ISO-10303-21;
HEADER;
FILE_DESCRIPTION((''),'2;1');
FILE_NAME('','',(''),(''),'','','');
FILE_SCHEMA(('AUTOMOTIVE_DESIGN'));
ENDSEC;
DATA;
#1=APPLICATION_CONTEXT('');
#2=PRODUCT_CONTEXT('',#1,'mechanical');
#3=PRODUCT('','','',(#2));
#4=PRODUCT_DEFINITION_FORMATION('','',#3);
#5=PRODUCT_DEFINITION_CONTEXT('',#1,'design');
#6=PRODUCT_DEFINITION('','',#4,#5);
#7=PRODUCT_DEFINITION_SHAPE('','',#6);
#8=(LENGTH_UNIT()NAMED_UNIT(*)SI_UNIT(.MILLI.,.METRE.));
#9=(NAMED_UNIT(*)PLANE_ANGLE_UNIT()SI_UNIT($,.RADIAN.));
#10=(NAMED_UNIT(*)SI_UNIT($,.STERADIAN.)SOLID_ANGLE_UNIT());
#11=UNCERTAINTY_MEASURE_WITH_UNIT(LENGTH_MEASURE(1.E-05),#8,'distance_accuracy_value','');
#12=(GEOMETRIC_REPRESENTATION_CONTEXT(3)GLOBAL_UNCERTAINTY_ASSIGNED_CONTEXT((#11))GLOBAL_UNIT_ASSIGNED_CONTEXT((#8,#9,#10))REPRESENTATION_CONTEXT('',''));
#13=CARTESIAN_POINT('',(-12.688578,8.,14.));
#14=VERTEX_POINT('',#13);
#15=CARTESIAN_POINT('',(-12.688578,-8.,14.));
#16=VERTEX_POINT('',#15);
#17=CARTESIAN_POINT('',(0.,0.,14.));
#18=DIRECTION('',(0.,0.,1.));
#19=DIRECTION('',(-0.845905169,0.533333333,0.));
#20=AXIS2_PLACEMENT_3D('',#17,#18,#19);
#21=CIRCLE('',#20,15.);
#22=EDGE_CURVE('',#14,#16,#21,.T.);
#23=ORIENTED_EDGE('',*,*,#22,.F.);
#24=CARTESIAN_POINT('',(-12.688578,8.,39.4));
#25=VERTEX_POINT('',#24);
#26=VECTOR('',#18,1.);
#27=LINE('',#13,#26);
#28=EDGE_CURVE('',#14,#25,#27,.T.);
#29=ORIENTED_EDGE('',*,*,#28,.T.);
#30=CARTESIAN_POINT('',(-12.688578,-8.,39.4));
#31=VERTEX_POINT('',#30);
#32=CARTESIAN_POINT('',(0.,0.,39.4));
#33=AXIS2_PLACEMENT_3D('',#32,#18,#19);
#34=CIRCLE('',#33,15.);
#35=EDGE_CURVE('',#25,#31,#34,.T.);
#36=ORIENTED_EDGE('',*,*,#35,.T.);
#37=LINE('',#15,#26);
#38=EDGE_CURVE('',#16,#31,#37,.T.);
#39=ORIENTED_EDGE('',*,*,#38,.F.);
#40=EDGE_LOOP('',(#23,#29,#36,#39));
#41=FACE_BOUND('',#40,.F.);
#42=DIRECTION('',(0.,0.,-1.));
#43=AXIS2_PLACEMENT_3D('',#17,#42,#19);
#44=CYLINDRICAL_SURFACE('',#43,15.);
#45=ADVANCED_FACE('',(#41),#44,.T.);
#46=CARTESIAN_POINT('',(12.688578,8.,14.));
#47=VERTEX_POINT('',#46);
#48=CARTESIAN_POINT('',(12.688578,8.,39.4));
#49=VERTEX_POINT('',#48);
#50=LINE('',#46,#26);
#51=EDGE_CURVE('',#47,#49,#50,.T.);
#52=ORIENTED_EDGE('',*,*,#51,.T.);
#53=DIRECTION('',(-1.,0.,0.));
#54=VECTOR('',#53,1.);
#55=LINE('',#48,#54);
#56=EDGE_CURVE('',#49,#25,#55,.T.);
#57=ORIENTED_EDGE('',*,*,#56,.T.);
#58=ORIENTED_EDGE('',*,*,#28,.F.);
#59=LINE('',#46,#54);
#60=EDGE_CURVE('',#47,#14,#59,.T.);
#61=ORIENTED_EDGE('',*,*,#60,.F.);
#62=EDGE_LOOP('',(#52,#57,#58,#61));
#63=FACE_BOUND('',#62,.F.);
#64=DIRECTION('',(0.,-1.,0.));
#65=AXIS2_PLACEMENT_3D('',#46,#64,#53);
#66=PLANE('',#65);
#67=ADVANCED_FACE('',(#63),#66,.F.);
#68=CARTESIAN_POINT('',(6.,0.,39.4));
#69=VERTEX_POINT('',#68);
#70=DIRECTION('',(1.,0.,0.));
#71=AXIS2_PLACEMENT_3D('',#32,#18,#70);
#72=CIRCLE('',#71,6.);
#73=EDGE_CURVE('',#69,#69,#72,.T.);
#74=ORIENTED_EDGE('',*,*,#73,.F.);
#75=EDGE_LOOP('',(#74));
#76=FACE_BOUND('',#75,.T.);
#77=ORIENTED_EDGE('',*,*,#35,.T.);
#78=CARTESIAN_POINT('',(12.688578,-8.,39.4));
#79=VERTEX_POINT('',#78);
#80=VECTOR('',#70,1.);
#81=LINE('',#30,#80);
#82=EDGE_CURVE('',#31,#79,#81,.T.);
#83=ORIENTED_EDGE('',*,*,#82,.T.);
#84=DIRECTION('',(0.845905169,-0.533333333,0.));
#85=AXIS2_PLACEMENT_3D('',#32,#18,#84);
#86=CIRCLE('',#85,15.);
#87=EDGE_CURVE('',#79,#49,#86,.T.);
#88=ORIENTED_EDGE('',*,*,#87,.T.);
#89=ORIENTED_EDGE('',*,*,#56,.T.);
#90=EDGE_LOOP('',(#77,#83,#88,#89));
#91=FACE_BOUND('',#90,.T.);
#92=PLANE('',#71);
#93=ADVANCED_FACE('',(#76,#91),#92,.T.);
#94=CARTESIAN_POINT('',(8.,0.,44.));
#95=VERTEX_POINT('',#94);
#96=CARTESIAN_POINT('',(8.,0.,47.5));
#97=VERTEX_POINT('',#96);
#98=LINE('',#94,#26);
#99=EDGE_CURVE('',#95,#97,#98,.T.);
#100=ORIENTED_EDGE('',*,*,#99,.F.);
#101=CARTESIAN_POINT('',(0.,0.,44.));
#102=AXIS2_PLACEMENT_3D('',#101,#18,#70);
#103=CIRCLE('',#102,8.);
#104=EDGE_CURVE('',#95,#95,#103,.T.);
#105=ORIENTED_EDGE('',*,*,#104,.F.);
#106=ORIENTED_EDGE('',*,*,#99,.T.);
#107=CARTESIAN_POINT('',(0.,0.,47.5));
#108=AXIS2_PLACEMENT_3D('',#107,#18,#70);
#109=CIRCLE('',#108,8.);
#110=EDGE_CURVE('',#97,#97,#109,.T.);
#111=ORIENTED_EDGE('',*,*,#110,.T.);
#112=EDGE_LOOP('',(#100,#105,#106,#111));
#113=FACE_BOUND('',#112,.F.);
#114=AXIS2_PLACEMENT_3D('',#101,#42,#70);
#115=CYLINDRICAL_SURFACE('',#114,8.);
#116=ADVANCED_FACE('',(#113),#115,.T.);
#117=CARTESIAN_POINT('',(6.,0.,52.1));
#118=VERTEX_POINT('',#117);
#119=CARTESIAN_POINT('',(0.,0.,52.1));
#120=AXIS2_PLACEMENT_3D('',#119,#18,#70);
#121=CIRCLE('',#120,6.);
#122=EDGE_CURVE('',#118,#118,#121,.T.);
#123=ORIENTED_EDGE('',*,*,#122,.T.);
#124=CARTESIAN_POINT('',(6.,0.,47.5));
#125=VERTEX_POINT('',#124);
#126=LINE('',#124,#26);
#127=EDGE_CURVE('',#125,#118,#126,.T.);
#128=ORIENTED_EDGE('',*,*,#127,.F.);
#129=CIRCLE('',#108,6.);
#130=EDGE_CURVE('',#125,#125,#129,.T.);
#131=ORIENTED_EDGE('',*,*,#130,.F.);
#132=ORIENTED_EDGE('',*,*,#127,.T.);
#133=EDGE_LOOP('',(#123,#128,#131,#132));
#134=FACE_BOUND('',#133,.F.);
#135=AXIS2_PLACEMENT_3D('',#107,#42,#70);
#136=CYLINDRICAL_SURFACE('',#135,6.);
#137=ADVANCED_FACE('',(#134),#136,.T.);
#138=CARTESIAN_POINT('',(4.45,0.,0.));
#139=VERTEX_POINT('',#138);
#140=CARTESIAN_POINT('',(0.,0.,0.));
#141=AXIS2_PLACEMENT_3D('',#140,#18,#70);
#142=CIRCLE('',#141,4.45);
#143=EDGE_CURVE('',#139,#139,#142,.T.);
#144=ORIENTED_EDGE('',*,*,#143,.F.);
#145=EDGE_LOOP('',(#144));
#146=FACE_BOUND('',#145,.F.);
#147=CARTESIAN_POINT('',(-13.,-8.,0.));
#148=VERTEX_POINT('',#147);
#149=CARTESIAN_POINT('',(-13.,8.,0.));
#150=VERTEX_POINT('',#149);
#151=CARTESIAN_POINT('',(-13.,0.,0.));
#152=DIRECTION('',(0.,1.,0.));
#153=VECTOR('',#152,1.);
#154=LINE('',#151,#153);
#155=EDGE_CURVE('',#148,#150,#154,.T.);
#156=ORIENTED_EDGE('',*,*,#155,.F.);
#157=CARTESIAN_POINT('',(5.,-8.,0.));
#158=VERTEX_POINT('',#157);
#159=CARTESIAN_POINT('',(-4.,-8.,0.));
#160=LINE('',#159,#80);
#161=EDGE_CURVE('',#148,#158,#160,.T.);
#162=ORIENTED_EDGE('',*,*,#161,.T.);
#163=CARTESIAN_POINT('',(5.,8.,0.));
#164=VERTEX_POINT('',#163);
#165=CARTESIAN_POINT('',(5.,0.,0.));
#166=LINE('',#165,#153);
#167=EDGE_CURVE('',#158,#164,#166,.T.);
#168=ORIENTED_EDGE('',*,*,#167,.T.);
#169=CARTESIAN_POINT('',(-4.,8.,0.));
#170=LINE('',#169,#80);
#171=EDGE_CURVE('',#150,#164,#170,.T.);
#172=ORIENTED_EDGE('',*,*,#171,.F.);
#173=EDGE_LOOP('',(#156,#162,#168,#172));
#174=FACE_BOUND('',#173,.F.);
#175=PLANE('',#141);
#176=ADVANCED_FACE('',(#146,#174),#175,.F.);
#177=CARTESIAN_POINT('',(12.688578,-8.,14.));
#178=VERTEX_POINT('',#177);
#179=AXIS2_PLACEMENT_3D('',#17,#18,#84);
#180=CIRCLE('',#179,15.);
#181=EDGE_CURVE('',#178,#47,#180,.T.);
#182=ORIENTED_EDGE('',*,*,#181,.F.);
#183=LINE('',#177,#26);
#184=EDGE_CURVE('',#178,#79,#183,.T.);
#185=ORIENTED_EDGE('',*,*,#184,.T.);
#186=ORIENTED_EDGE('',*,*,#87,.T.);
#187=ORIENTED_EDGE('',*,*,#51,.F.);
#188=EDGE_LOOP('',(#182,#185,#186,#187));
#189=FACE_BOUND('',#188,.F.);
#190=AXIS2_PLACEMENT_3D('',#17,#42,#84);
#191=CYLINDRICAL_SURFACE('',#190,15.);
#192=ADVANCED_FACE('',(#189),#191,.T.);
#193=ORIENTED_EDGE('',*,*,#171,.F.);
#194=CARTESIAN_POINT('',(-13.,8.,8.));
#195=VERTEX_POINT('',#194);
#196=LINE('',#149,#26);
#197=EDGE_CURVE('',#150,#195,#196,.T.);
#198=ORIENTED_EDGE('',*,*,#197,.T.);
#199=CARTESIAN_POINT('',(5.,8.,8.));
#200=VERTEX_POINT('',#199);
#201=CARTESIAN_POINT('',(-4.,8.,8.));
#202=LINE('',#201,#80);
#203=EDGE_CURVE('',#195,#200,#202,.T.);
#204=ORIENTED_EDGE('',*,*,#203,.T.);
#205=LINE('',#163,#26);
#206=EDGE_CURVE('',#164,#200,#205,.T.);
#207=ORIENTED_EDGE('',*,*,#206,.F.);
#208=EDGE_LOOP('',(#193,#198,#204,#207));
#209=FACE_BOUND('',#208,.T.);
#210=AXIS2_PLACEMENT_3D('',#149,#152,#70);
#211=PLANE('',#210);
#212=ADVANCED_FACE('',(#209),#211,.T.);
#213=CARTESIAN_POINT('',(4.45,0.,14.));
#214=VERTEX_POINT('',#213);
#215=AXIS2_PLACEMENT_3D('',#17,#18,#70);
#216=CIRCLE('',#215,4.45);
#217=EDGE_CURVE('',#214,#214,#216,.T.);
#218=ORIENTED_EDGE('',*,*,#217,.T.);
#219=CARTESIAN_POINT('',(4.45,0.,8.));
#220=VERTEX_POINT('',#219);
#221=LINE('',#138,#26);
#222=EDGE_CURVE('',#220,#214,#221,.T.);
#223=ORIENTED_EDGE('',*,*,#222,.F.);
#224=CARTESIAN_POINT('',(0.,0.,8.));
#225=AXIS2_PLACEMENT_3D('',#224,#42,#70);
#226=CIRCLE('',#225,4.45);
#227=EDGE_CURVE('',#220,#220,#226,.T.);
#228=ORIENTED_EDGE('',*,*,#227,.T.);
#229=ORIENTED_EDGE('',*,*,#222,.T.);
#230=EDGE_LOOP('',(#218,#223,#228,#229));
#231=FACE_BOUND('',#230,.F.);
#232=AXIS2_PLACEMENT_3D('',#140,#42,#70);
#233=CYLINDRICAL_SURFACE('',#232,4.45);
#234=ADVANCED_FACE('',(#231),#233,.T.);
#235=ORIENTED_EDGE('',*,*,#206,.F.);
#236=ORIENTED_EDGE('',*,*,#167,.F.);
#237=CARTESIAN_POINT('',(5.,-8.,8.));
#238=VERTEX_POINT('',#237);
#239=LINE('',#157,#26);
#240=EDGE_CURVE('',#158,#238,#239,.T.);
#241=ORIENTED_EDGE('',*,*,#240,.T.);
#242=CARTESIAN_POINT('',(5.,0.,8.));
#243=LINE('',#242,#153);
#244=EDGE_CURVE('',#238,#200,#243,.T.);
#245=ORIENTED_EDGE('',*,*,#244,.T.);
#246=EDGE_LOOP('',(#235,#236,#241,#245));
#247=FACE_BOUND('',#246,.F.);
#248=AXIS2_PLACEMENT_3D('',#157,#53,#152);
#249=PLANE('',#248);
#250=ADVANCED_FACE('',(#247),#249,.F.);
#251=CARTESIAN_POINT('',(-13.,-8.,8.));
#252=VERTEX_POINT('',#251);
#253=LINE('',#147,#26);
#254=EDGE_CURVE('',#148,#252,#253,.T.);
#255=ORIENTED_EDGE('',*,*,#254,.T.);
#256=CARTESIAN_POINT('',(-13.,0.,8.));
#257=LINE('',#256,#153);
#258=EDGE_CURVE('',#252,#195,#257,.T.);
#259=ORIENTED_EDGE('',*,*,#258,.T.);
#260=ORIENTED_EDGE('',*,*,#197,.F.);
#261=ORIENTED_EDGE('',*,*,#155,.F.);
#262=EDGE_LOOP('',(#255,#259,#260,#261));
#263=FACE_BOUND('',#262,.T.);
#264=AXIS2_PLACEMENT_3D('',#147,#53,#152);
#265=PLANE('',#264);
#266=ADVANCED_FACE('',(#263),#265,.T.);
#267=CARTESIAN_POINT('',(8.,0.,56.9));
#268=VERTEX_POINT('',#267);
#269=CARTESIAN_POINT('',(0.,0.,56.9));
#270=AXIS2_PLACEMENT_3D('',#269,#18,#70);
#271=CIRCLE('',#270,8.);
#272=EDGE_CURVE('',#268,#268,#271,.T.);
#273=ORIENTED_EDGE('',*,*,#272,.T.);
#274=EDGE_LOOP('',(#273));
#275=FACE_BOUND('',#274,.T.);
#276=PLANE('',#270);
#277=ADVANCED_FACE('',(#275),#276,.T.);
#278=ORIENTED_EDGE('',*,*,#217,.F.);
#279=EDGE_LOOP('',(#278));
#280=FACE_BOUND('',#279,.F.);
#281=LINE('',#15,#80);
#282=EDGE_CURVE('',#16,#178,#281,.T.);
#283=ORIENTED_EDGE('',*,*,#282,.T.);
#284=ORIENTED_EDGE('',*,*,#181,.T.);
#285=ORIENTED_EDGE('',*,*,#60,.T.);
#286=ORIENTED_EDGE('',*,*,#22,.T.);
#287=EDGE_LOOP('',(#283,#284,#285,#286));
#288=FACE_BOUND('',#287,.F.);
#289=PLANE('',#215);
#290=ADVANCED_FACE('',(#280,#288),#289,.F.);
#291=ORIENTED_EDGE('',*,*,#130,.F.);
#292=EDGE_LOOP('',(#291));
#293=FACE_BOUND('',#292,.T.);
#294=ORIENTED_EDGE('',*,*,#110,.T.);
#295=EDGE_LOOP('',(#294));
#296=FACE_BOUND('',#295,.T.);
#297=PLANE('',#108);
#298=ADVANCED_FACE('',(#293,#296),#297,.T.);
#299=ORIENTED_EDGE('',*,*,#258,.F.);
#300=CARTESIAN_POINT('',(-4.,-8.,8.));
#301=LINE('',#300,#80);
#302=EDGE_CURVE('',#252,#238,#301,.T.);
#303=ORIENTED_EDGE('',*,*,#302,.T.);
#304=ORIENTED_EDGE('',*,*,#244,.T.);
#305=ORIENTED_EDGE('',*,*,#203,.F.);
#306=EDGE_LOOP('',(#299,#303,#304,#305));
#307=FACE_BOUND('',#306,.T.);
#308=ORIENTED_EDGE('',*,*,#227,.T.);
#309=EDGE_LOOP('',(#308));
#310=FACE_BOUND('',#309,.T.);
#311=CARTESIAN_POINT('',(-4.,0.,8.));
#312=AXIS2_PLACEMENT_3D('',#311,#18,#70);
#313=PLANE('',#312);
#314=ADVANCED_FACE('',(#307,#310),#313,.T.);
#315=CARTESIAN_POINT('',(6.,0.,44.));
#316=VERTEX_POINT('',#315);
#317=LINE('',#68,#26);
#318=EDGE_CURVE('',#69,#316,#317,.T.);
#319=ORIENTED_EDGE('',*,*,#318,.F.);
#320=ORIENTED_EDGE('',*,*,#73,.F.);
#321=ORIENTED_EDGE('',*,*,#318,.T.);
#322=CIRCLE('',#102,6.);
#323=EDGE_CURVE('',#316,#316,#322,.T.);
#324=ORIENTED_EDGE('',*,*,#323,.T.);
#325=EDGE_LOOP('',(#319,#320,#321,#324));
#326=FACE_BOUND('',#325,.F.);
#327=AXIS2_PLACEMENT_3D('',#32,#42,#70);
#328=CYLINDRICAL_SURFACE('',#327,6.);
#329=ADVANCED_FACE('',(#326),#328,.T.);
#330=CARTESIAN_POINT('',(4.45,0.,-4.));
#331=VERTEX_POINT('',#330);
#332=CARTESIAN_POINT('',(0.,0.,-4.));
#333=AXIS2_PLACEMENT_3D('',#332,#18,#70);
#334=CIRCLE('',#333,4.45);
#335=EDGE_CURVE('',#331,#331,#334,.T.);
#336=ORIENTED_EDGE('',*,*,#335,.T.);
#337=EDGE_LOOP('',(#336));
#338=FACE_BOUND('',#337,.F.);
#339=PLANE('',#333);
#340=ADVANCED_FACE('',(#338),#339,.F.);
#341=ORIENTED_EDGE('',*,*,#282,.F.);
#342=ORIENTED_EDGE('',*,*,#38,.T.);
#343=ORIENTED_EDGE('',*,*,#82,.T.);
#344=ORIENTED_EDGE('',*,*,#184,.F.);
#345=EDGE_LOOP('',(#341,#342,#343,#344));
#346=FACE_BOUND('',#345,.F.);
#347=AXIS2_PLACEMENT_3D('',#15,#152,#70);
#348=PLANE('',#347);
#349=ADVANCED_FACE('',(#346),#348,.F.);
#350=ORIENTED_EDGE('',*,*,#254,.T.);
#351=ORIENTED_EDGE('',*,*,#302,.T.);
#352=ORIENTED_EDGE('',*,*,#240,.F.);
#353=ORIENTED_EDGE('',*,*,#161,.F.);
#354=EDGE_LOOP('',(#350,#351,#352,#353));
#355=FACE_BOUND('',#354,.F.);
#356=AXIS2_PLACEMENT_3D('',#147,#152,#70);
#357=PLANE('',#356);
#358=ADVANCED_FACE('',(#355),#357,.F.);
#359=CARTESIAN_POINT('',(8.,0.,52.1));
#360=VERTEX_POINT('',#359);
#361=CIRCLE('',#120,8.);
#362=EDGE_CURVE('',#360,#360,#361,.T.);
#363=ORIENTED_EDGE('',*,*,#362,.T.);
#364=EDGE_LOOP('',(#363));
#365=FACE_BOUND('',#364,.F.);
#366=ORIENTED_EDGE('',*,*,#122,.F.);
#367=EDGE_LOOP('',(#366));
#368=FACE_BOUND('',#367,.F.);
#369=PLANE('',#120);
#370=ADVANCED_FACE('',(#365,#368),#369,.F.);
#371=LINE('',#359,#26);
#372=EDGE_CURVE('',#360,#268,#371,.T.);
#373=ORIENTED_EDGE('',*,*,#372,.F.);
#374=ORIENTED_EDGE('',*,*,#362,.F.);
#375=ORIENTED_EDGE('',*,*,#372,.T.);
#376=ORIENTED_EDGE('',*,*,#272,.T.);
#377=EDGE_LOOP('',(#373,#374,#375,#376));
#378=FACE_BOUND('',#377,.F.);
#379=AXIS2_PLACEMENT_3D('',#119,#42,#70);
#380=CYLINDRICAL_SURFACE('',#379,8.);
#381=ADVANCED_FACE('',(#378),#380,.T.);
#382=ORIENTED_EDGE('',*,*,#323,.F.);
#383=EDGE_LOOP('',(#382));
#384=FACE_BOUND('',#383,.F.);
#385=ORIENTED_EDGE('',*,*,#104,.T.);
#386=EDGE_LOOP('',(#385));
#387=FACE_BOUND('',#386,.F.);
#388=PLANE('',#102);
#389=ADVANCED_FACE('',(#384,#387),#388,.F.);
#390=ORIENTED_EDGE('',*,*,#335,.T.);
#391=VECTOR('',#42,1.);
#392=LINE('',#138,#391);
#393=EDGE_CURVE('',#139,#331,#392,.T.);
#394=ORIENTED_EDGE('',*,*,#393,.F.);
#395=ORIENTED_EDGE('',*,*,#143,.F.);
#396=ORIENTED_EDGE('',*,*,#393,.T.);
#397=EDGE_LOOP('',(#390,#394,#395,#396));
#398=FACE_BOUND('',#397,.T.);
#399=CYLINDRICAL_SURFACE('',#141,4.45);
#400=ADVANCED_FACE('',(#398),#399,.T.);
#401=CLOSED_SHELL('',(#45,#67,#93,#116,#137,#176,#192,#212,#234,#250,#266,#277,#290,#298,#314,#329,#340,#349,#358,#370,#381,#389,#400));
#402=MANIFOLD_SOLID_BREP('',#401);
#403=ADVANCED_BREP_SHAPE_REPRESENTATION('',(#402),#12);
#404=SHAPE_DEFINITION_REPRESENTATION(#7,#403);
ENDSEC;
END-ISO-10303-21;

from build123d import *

# Parameters (mm, degrees)
F0_W          = 18
F0_H          = 16
F1_DEPTH      = 8
F2_R          = 4.45
F3_DEPTH      = 14
F3_DEPTH_BACK = 4
F5_DEPTH      = 25.4
F6_R          = 6
F7_DEPTH      = 4.6
F8_R          = 8
F9_DEPTH      = 3.5
F10_R         = 6
F11_DEPTH     = 4.6
F12_R         = 8
F13_DEPTH     = 4.8


with BuildPart() as f1:
    # F0 (on Top) → F1 (new body)
    with BuildSketch(Plane.XY):
        with Locations((-4, 0)):
            Rectangle(F0_W, F0_H)
    extrude(amount=F1_DEPTH)

    # F2 (on Top) → F3 (join, two sides)
    with BuildSketch(Plane.XY) as f3_sk:
        Circle(F2_R)
    extrude(amount=F3_DEPTH)
    extrude(f3_sk.sketch, amount=-F3_DEPTH_BACK)

    # F4 (on face) → F5 (join)
    with BuildSketch(Plane.XY.offset(14)):
        with BuildLine():
            Line((12.6885775404, 8), (-12.6885775404, 8))
            ThreePointArc((-12.6885775404, 8), (-15, 0), (-12.6885775404, -8))
            Line((-12.6885775404, -8), (12.6885775404, -8))
            ThreePointArc((12.6885775404, -8), (15, 0), (12.6885775404, 8))
        make_face()
    extrude(amount=F5_DEPTH)

    # F6 (on face) → F7 (join)
    with BuildSketch(Plane.XY.offset(39.4)):
        Circle(F6_R)
    extrude(amount=F7_DEPTH)

    # F8 (on face) → F9 (join)
    with BuildSketch(Plane.XY.offset(44)):
        Circle(F8_R)
    extrude(amount=F9_DEPTH)

    # F10 (on face) → F11 (join)
    with BuildSketch(Plane.XY.offset(47.5)):
        Circle(F10_R)
    extrude(amount=F11_DEPTH)

    # F12 (on face) → F13 (join)
    with BuildSketch(Plane.XY.offset(52.1)):
        Circle(F12_R)
    extrude(amount=F13_DEPTH)


solid = f1.part
